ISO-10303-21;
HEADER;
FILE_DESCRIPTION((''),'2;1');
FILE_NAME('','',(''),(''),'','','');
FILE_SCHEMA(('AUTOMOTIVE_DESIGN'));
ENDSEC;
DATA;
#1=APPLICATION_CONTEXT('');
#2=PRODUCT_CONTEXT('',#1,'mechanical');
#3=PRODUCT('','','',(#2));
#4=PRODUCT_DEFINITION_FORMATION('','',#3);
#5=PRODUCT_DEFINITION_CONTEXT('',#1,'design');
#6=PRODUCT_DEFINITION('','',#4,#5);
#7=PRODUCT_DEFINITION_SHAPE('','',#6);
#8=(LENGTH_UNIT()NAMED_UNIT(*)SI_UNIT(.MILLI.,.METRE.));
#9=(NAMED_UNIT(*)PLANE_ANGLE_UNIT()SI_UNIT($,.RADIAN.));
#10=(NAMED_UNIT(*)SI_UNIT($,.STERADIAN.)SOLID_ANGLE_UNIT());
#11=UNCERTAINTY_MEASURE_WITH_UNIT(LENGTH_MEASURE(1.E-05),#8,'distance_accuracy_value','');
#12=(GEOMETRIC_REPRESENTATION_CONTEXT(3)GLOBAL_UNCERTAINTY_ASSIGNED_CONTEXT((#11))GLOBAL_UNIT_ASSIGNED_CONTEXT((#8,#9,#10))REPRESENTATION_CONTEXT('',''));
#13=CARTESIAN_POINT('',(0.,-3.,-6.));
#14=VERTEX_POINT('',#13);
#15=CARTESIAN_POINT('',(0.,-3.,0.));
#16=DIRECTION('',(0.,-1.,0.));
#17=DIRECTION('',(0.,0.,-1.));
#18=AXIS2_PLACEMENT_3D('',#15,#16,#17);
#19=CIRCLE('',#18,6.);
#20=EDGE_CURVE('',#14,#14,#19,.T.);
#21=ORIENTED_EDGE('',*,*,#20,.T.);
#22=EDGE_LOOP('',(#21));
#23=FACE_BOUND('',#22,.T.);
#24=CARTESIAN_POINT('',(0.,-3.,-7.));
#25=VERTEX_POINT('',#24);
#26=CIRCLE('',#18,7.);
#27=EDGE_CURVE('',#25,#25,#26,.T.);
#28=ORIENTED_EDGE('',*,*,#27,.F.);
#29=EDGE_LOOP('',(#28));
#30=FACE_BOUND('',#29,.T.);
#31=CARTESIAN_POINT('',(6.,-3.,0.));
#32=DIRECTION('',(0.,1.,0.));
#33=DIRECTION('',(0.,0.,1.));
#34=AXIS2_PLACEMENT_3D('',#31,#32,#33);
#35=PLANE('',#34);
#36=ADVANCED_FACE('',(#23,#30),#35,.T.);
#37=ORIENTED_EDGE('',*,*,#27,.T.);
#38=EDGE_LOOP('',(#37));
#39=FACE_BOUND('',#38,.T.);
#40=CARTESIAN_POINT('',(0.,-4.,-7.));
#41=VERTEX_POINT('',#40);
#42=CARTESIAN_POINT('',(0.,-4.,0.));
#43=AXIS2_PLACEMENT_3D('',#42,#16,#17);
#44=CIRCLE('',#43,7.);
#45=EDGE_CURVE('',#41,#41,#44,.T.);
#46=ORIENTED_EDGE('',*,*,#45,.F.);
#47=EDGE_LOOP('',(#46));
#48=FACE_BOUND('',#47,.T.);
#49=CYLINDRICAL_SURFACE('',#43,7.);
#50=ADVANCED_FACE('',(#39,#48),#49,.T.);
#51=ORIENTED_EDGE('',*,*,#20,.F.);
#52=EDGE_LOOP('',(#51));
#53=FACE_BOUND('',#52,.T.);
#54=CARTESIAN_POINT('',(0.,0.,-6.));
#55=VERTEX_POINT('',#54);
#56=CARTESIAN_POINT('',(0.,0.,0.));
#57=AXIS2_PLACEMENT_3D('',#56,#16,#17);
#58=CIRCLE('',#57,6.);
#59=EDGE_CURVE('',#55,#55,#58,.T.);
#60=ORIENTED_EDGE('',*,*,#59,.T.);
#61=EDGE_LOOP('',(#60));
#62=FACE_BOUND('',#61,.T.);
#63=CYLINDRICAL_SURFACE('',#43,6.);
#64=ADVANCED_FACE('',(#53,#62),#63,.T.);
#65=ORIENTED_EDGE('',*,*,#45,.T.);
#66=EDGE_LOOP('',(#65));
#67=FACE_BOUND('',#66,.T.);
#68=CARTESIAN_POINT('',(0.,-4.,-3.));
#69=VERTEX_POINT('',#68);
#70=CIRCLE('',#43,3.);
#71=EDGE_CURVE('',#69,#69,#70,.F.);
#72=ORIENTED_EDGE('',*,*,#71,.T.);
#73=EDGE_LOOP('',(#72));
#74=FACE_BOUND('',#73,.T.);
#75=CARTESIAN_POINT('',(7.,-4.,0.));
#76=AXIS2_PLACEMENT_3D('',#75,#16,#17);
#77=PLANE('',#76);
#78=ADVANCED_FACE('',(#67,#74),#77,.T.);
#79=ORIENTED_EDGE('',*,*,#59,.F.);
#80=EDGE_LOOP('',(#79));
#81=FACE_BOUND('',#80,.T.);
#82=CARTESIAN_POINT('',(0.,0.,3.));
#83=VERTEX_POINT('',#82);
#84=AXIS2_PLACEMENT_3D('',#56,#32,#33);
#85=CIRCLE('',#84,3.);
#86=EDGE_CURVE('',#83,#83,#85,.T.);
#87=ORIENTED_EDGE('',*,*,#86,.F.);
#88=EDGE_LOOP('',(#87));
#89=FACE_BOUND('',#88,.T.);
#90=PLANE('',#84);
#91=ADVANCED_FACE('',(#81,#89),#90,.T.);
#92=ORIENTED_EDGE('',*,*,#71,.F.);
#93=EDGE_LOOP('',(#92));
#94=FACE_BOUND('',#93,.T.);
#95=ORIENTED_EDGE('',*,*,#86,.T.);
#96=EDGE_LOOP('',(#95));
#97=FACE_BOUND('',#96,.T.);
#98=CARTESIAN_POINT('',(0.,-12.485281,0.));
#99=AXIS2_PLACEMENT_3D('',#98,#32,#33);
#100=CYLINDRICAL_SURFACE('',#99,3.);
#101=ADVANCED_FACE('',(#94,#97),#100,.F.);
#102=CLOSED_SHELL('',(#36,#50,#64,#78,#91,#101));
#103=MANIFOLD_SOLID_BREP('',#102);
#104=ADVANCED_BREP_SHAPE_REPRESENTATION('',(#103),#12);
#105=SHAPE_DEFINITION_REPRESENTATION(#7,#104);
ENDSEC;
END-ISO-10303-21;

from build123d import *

# Parameters (mm, degrees)
SKETCH_2_R          = 3
CUT_EXTRUDE_1_DEPTH = 4


with BuildPart() as part:
    # 草图1 → 旋转1 (revolve)
    with BuildSketch(Plane.XY):
        Polygon((0, 0), (6, 0), (6, -3), (7, -3), (7, -4), (0, -4), align=None)
    revolve(axis=Axis((0, -4, 0), (0, 1, 0)))

    # 草图2 → 切除-拉伸1 (cut)
    with BuildSketch(Plane(origin=(0, 0, 0), x_dir=(1, 0, 0), z_dir=(0, 1, 0))):
        Circle(SKETCH_2_R)
    extrude(amount=-CUT_EXTRUDE_1_DEPTH, mode=Mode.SUBTRACT)


solid = part.part
